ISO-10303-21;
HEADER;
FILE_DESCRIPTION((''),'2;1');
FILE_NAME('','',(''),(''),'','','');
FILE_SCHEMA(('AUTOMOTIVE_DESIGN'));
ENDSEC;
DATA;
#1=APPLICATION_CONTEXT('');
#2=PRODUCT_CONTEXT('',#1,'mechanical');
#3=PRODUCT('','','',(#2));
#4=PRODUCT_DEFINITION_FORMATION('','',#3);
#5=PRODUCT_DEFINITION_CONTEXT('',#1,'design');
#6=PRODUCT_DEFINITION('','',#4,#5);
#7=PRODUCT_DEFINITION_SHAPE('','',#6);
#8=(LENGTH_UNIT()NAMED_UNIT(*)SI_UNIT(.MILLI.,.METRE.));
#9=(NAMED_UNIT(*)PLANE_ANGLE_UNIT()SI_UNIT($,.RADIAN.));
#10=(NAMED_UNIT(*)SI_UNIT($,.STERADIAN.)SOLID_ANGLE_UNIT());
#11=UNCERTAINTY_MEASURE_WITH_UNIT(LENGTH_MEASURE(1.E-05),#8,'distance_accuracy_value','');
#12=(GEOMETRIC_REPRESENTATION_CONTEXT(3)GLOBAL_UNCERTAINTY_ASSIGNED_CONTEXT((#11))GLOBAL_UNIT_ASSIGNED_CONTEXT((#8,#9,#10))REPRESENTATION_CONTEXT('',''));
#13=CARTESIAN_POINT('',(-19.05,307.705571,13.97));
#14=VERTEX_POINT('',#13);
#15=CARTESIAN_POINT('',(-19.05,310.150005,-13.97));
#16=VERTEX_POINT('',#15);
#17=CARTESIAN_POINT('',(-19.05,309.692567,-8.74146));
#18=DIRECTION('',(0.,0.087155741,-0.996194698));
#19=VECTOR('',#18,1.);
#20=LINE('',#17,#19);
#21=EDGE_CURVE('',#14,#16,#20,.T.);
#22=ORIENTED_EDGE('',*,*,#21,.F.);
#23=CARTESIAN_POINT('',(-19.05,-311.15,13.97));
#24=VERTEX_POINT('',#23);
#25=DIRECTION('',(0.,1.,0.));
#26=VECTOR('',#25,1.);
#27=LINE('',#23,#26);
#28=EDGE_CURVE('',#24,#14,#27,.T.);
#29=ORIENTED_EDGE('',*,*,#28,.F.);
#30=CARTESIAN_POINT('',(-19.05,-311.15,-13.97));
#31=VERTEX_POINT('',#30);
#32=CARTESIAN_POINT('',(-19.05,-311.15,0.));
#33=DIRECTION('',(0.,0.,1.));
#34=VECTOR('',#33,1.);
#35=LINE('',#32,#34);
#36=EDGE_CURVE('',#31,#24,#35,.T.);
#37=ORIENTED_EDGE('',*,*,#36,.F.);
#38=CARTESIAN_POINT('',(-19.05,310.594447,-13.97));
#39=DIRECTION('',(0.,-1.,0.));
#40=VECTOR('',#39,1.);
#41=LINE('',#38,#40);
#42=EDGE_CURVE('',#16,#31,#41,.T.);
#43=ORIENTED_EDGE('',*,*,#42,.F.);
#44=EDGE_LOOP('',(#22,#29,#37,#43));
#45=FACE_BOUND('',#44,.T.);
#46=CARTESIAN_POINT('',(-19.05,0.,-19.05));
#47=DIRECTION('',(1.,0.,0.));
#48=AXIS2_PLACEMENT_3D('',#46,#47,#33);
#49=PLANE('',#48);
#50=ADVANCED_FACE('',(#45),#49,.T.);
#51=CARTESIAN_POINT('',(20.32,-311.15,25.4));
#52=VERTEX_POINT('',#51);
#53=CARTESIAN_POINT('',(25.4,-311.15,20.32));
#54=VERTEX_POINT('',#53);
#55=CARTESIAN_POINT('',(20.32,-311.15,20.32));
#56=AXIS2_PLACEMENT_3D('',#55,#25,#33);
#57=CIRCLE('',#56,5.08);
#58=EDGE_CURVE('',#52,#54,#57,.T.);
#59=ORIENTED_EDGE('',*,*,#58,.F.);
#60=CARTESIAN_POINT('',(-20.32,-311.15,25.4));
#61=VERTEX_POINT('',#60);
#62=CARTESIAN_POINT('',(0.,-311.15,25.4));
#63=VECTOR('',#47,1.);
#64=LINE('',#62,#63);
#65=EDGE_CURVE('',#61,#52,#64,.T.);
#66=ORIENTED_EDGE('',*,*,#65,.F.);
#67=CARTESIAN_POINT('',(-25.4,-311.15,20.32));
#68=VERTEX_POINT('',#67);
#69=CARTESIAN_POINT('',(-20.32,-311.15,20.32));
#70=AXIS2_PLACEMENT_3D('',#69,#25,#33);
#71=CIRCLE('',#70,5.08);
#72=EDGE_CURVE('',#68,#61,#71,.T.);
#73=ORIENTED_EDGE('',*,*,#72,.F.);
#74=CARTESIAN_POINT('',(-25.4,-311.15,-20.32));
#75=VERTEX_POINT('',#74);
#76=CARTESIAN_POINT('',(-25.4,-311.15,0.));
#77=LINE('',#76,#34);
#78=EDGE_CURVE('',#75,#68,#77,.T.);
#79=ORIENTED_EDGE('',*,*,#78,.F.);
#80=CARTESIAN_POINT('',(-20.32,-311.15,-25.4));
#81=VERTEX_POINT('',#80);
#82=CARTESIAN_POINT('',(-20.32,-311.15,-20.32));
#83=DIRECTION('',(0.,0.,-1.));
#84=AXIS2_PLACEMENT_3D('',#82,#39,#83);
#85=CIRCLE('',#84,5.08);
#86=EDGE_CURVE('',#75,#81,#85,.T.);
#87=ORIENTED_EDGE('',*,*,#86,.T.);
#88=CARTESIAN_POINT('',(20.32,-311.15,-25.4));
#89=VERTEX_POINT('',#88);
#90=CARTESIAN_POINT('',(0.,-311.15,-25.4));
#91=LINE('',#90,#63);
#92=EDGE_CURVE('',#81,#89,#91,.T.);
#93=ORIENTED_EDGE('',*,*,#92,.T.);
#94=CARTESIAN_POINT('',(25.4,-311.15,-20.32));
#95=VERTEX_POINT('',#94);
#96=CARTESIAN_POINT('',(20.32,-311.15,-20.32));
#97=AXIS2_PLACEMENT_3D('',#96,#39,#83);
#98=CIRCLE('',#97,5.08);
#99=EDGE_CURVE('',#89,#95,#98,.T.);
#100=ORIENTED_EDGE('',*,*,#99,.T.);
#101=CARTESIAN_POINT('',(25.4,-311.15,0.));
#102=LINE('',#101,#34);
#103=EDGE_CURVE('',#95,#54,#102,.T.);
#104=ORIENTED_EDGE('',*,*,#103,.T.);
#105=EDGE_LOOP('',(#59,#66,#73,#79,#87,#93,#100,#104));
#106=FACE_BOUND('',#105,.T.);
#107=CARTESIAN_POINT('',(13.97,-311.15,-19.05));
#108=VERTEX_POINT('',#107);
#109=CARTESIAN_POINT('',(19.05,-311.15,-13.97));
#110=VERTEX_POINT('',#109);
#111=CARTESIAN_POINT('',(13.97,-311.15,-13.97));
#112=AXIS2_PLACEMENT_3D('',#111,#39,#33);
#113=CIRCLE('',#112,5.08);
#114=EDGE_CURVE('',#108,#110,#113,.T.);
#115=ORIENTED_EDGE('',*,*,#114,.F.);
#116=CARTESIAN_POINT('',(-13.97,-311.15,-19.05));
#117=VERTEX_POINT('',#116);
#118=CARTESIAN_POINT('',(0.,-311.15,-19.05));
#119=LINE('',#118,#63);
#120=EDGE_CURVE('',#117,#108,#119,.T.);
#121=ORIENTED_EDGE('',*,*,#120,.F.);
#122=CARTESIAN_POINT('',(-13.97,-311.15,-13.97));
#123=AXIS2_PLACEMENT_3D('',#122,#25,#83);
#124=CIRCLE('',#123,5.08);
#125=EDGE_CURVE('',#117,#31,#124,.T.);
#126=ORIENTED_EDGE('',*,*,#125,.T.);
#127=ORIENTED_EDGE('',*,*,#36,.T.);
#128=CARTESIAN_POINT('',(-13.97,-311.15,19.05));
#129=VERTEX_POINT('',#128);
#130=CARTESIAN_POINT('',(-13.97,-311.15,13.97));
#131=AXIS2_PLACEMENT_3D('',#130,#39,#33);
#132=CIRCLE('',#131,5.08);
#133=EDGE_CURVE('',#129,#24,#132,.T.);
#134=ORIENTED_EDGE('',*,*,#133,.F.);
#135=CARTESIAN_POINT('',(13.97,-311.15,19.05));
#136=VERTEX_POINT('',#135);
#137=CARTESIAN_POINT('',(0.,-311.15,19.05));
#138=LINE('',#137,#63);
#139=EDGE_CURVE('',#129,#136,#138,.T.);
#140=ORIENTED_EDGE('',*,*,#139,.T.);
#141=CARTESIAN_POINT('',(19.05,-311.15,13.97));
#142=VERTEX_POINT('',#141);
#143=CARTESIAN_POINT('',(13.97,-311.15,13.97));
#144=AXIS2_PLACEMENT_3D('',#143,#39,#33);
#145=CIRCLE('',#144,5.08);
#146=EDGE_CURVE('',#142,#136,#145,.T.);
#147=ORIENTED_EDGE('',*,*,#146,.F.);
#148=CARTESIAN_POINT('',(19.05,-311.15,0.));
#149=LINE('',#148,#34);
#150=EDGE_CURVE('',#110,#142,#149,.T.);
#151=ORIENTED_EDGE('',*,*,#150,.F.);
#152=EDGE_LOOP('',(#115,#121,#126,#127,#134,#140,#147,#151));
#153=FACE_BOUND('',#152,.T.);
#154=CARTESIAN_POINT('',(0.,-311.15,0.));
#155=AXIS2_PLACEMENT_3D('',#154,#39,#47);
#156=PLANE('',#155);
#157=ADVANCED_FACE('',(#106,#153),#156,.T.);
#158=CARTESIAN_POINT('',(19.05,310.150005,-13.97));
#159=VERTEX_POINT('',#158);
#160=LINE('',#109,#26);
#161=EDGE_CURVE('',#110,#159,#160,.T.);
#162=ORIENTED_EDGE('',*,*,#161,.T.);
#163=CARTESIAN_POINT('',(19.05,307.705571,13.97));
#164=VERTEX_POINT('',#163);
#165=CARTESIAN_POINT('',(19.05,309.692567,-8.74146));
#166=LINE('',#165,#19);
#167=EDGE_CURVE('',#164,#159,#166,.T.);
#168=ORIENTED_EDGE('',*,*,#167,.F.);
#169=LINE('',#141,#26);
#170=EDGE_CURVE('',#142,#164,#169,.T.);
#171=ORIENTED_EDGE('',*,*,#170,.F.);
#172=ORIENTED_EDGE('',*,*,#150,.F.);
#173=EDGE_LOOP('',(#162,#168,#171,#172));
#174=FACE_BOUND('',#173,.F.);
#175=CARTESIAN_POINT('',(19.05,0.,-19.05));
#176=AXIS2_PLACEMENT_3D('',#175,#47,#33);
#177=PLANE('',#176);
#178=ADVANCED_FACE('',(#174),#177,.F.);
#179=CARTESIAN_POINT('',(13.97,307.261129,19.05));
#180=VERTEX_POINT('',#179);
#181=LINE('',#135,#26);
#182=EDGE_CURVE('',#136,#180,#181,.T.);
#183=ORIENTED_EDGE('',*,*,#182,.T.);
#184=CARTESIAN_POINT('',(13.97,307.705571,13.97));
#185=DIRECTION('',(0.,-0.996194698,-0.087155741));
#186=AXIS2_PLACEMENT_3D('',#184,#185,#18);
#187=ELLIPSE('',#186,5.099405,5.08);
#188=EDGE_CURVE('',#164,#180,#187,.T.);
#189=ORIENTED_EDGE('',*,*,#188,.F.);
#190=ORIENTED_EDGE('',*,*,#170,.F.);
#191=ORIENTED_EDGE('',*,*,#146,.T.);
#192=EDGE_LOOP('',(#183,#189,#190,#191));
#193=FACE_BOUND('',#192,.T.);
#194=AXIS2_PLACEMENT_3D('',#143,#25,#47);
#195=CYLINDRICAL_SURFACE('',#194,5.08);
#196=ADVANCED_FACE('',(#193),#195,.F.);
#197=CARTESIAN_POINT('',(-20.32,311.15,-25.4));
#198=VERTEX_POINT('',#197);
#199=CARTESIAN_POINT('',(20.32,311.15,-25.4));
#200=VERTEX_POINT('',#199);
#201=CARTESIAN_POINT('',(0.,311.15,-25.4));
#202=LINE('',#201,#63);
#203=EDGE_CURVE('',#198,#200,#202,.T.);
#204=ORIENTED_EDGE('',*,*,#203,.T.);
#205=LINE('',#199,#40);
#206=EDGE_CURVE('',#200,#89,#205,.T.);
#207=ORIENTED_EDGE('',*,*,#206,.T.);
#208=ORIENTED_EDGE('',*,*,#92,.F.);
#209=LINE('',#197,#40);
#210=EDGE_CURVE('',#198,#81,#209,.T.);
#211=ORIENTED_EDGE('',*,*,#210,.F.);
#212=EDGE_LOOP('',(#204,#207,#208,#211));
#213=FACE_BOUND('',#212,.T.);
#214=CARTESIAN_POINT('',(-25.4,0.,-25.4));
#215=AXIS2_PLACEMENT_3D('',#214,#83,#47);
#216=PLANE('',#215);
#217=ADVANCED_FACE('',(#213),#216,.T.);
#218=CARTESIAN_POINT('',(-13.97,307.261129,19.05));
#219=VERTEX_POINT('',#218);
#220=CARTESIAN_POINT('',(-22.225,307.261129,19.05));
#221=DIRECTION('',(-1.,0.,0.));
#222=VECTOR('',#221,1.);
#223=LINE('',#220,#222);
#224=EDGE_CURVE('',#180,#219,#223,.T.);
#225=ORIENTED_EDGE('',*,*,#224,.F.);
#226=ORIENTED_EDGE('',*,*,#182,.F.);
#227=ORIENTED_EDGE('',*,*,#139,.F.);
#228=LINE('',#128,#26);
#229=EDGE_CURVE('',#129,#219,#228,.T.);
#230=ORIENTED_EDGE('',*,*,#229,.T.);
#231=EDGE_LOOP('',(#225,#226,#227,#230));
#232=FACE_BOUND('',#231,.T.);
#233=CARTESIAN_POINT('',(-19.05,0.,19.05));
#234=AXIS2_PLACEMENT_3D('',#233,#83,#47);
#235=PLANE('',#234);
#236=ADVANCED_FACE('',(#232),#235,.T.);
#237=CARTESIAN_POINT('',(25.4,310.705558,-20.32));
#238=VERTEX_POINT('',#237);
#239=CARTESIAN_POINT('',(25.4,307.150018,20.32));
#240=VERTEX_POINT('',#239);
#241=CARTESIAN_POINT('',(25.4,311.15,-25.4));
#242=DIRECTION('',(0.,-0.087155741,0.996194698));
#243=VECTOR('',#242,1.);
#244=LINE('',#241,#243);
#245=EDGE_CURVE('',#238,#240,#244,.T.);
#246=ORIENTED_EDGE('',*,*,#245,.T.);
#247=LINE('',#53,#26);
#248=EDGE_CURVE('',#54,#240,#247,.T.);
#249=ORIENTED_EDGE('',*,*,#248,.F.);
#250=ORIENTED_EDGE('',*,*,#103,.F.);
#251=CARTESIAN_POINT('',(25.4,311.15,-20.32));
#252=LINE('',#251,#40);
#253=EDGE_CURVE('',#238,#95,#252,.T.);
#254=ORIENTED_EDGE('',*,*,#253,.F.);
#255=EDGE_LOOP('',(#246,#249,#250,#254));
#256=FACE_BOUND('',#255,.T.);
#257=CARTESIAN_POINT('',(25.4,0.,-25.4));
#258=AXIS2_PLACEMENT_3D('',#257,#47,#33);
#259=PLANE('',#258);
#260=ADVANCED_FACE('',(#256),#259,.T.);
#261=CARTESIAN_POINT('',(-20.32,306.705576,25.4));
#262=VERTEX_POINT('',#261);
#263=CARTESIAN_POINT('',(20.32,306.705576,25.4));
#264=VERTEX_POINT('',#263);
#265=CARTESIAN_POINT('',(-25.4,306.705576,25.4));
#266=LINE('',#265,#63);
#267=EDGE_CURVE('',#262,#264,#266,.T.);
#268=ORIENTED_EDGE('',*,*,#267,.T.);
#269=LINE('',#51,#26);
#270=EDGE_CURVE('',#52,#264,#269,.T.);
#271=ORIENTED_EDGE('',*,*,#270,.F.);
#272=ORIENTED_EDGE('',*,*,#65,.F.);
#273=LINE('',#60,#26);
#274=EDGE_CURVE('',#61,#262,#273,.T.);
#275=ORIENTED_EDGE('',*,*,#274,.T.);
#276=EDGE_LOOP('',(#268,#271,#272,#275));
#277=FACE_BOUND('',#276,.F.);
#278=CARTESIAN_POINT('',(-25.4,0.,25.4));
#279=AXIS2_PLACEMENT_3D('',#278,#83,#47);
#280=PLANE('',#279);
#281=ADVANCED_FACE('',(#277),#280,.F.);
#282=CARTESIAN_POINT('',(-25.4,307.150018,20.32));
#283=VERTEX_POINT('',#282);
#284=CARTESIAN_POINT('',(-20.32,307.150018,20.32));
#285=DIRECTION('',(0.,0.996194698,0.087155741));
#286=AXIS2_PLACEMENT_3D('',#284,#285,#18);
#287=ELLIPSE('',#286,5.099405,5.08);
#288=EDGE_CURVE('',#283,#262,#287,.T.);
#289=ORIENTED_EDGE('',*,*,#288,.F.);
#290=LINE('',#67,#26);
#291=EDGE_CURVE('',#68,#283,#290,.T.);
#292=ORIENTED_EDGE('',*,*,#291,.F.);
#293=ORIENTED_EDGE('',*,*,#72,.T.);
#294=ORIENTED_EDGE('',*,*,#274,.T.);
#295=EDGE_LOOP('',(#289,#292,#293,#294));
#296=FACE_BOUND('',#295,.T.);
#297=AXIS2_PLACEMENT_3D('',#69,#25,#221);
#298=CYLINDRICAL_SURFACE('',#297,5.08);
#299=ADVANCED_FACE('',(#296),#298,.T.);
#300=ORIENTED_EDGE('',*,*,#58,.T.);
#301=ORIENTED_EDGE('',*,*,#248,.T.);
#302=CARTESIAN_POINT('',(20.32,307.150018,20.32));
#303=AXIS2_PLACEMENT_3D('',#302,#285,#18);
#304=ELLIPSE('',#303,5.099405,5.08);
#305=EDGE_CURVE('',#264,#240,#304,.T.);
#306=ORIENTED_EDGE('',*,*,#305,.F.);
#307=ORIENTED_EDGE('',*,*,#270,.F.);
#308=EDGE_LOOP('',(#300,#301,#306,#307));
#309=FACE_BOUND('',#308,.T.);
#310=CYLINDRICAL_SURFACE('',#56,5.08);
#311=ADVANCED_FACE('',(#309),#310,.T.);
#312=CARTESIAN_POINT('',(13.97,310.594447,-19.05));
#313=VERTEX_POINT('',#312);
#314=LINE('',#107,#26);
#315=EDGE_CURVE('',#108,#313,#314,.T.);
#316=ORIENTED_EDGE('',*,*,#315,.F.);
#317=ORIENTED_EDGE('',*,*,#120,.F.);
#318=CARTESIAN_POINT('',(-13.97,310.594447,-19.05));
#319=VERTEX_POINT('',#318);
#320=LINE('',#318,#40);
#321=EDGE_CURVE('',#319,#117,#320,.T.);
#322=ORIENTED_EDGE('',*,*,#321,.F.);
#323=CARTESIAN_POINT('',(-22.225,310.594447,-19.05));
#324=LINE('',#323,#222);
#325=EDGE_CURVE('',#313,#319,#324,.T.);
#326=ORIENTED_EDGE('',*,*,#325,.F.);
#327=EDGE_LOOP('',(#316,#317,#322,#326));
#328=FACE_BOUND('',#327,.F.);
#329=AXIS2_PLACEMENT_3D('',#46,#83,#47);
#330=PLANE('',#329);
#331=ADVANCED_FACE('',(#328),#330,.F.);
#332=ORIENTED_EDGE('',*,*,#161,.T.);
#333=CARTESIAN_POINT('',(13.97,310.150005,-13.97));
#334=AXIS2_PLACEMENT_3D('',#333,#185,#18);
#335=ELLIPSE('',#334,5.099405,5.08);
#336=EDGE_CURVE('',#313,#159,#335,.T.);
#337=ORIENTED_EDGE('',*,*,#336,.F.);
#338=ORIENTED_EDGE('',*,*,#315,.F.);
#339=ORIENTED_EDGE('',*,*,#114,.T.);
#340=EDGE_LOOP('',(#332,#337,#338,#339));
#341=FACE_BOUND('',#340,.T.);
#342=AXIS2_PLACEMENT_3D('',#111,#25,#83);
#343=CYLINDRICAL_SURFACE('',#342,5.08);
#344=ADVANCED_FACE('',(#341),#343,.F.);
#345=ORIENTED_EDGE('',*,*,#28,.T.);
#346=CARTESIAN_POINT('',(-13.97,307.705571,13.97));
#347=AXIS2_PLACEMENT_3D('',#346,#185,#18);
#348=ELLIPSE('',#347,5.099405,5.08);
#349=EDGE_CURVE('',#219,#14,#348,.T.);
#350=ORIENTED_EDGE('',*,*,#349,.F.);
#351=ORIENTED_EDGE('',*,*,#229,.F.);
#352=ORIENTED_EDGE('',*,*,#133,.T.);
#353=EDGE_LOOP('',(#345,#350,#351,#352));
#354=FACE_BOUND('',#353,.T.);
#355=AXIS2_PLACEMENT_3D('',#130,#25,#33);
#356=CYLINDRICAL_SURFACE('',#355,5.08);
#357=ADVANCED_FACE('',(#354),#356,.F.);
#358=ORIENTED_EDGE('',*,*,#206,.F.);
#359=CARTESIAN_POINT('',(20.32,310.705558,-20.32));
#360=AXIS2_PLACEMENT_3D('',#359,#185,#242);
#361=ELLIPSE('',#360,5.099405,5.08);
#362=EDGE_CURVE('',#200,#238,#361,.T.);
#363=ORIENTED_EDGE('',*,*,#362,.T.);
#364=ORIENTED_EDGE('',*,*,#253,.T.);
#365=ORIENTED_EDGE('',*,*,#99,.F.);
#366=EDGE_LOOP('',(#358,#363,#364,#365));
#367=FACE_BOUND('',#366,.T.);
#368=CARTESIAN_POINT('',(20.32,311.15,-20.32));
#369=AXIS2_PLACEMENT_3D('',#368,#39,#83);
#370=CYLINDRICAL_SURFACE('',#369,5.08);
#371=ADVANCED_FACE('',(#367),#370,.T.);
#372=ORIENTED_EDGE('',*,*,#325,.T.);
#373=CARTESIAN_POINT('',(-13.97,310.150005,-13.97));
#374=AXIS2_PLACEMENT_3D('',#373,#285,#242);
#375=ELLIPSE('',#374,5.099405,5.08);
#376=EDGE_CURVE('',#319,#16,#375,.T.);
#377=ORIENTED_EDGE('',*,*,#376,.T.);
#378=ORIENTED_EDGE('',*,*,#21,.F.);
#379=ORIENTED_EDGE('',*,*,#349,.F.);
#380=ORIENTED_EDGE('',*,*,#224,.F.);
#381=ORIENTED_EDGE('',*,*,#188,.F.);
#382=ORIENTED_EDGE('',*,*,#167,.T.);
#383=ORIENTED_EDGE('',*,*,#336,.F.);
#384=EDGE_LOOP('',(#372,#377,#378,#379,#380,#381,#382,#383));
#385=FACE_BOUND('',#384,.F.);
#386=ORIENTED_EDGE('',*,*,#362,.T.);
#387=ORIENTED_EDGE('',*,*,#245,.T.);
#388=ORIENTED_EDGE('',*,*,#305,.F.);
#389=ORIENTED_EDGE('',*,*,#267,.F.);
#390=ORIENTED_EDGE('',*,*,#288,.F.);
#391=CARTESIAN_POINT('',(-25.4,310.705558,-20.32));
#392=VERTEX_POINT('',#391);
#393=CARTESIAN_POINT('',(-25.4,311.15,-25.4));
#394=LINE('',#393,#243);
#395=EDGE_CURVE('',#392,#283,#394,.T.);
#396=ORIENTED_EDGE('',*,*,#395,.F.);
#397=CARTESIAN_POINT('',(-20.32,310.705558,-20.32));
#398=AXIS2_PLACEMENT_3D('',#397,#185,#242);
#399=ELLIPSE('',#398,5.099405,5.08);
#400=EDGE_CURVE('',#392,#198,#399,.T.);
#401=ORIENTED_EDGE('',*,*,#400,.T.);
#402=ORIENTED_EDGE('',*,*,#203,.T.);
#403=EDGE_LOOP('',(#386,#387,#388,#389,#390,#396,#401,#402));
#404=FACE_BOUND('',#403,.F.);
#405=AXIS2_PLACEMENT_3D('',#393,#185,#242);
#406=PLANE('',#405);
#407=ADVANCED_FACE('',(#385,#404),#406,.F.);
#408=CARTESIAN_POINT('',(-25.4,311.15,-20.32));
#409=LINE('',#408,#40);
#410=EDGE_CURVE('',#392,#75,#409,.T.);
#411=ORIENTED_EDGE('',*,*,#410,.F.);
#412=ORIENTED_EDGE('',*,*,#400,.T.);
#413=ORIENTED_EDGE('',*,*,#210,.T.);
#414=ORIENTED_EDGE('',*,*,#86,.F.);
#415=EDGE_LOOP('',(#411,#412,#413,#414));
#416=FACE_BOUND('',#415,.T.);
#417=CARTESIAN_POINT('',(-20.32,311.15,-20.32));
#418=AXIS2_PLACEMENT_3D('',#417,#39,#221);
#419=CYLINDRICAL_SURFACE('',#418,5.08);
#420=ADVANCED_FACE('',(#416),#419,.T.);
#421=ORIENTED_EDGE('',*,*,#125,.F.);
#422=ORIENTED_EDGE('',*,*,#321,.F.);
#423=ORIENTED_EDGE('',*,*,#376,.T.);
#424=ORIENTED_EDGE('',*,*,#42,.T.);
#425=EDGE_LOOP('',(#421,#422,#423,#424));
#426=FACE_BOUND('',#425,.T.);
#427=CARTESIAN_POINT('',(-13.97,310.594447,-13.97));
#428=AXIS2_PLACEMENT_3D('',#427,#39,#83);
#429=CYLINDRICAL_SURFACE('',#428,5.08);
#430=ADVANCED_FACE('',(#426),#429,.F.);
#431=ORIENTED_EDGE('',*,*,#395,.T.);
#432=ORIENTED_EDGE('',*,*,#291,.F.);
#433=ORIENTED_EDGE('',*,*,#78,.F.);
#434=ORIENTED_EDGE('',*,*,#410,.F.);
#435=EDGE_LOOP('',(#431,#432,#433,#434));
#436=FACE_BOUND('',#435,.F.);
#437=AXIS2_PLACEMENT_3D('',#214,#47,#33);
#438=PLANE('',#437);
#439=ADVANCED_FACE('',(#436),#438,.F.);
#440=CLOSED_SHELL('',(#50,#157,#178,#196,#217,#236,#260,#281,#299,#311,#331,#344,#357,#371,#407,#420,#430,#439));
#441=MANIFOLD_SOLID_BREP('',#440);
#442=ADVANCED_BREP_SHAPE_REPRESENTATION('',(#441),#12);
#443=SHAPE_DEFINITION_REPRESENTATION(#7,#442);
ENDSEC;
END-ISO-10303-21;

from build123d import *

# Parameters (mm, degrees)
F0_W     = 50.8
F0_H     = 50.8
F0_W_2   = 38.1
F0_H_2   = 38.1
F1_DEPTH = 311.15
F3_DEPTH = 50.8
F4_R     = 5.08


with BuildPart() as f1:
    # F0 (on Front) → F1 (new body, symmetric)
    with BuildSketch(Plane.XZ):
        Rectangle(F0_W, F0_H)
        Rectangle(F0_W_2, F0_H_2, mode=Mode.SUBTRACT)
    extrude(amount=F1_DEPTH, both=True)

    # F2 (on face) → F3 (cut)
    with BuildSketch(Plane(origin=(-25.4, 0, 0), x_dir=(0, -1, 0), z_dir=(-1, 0, 0))):
        Polygon((-306.705576, 25.4), (-311.15, 25.4), (-311.15, -25.4), align=None)
    extrude(amount=-F3_DEPTH, mode=Mode.SUBTRACT)

    # F4
    f4_edges = [f1.edges().sort_by_distance(p)[0] for p in [
        (25.4, -2.222212, 25.4),
        (-25.4, -2.222212, 25.4),
        (25.4, 0, -25.4),
        (-25.4, 0, -25.4),
        (19.05, -1.944436, 19.05),
        (-19.05, -1.944436, 19.05),
        (19.05, -0.277777, -19.05),
        (-19.05, -0.277777, -19.05),
    ]]
    fillet(f4_edges, radius=F4_R)


solid = f1.part
